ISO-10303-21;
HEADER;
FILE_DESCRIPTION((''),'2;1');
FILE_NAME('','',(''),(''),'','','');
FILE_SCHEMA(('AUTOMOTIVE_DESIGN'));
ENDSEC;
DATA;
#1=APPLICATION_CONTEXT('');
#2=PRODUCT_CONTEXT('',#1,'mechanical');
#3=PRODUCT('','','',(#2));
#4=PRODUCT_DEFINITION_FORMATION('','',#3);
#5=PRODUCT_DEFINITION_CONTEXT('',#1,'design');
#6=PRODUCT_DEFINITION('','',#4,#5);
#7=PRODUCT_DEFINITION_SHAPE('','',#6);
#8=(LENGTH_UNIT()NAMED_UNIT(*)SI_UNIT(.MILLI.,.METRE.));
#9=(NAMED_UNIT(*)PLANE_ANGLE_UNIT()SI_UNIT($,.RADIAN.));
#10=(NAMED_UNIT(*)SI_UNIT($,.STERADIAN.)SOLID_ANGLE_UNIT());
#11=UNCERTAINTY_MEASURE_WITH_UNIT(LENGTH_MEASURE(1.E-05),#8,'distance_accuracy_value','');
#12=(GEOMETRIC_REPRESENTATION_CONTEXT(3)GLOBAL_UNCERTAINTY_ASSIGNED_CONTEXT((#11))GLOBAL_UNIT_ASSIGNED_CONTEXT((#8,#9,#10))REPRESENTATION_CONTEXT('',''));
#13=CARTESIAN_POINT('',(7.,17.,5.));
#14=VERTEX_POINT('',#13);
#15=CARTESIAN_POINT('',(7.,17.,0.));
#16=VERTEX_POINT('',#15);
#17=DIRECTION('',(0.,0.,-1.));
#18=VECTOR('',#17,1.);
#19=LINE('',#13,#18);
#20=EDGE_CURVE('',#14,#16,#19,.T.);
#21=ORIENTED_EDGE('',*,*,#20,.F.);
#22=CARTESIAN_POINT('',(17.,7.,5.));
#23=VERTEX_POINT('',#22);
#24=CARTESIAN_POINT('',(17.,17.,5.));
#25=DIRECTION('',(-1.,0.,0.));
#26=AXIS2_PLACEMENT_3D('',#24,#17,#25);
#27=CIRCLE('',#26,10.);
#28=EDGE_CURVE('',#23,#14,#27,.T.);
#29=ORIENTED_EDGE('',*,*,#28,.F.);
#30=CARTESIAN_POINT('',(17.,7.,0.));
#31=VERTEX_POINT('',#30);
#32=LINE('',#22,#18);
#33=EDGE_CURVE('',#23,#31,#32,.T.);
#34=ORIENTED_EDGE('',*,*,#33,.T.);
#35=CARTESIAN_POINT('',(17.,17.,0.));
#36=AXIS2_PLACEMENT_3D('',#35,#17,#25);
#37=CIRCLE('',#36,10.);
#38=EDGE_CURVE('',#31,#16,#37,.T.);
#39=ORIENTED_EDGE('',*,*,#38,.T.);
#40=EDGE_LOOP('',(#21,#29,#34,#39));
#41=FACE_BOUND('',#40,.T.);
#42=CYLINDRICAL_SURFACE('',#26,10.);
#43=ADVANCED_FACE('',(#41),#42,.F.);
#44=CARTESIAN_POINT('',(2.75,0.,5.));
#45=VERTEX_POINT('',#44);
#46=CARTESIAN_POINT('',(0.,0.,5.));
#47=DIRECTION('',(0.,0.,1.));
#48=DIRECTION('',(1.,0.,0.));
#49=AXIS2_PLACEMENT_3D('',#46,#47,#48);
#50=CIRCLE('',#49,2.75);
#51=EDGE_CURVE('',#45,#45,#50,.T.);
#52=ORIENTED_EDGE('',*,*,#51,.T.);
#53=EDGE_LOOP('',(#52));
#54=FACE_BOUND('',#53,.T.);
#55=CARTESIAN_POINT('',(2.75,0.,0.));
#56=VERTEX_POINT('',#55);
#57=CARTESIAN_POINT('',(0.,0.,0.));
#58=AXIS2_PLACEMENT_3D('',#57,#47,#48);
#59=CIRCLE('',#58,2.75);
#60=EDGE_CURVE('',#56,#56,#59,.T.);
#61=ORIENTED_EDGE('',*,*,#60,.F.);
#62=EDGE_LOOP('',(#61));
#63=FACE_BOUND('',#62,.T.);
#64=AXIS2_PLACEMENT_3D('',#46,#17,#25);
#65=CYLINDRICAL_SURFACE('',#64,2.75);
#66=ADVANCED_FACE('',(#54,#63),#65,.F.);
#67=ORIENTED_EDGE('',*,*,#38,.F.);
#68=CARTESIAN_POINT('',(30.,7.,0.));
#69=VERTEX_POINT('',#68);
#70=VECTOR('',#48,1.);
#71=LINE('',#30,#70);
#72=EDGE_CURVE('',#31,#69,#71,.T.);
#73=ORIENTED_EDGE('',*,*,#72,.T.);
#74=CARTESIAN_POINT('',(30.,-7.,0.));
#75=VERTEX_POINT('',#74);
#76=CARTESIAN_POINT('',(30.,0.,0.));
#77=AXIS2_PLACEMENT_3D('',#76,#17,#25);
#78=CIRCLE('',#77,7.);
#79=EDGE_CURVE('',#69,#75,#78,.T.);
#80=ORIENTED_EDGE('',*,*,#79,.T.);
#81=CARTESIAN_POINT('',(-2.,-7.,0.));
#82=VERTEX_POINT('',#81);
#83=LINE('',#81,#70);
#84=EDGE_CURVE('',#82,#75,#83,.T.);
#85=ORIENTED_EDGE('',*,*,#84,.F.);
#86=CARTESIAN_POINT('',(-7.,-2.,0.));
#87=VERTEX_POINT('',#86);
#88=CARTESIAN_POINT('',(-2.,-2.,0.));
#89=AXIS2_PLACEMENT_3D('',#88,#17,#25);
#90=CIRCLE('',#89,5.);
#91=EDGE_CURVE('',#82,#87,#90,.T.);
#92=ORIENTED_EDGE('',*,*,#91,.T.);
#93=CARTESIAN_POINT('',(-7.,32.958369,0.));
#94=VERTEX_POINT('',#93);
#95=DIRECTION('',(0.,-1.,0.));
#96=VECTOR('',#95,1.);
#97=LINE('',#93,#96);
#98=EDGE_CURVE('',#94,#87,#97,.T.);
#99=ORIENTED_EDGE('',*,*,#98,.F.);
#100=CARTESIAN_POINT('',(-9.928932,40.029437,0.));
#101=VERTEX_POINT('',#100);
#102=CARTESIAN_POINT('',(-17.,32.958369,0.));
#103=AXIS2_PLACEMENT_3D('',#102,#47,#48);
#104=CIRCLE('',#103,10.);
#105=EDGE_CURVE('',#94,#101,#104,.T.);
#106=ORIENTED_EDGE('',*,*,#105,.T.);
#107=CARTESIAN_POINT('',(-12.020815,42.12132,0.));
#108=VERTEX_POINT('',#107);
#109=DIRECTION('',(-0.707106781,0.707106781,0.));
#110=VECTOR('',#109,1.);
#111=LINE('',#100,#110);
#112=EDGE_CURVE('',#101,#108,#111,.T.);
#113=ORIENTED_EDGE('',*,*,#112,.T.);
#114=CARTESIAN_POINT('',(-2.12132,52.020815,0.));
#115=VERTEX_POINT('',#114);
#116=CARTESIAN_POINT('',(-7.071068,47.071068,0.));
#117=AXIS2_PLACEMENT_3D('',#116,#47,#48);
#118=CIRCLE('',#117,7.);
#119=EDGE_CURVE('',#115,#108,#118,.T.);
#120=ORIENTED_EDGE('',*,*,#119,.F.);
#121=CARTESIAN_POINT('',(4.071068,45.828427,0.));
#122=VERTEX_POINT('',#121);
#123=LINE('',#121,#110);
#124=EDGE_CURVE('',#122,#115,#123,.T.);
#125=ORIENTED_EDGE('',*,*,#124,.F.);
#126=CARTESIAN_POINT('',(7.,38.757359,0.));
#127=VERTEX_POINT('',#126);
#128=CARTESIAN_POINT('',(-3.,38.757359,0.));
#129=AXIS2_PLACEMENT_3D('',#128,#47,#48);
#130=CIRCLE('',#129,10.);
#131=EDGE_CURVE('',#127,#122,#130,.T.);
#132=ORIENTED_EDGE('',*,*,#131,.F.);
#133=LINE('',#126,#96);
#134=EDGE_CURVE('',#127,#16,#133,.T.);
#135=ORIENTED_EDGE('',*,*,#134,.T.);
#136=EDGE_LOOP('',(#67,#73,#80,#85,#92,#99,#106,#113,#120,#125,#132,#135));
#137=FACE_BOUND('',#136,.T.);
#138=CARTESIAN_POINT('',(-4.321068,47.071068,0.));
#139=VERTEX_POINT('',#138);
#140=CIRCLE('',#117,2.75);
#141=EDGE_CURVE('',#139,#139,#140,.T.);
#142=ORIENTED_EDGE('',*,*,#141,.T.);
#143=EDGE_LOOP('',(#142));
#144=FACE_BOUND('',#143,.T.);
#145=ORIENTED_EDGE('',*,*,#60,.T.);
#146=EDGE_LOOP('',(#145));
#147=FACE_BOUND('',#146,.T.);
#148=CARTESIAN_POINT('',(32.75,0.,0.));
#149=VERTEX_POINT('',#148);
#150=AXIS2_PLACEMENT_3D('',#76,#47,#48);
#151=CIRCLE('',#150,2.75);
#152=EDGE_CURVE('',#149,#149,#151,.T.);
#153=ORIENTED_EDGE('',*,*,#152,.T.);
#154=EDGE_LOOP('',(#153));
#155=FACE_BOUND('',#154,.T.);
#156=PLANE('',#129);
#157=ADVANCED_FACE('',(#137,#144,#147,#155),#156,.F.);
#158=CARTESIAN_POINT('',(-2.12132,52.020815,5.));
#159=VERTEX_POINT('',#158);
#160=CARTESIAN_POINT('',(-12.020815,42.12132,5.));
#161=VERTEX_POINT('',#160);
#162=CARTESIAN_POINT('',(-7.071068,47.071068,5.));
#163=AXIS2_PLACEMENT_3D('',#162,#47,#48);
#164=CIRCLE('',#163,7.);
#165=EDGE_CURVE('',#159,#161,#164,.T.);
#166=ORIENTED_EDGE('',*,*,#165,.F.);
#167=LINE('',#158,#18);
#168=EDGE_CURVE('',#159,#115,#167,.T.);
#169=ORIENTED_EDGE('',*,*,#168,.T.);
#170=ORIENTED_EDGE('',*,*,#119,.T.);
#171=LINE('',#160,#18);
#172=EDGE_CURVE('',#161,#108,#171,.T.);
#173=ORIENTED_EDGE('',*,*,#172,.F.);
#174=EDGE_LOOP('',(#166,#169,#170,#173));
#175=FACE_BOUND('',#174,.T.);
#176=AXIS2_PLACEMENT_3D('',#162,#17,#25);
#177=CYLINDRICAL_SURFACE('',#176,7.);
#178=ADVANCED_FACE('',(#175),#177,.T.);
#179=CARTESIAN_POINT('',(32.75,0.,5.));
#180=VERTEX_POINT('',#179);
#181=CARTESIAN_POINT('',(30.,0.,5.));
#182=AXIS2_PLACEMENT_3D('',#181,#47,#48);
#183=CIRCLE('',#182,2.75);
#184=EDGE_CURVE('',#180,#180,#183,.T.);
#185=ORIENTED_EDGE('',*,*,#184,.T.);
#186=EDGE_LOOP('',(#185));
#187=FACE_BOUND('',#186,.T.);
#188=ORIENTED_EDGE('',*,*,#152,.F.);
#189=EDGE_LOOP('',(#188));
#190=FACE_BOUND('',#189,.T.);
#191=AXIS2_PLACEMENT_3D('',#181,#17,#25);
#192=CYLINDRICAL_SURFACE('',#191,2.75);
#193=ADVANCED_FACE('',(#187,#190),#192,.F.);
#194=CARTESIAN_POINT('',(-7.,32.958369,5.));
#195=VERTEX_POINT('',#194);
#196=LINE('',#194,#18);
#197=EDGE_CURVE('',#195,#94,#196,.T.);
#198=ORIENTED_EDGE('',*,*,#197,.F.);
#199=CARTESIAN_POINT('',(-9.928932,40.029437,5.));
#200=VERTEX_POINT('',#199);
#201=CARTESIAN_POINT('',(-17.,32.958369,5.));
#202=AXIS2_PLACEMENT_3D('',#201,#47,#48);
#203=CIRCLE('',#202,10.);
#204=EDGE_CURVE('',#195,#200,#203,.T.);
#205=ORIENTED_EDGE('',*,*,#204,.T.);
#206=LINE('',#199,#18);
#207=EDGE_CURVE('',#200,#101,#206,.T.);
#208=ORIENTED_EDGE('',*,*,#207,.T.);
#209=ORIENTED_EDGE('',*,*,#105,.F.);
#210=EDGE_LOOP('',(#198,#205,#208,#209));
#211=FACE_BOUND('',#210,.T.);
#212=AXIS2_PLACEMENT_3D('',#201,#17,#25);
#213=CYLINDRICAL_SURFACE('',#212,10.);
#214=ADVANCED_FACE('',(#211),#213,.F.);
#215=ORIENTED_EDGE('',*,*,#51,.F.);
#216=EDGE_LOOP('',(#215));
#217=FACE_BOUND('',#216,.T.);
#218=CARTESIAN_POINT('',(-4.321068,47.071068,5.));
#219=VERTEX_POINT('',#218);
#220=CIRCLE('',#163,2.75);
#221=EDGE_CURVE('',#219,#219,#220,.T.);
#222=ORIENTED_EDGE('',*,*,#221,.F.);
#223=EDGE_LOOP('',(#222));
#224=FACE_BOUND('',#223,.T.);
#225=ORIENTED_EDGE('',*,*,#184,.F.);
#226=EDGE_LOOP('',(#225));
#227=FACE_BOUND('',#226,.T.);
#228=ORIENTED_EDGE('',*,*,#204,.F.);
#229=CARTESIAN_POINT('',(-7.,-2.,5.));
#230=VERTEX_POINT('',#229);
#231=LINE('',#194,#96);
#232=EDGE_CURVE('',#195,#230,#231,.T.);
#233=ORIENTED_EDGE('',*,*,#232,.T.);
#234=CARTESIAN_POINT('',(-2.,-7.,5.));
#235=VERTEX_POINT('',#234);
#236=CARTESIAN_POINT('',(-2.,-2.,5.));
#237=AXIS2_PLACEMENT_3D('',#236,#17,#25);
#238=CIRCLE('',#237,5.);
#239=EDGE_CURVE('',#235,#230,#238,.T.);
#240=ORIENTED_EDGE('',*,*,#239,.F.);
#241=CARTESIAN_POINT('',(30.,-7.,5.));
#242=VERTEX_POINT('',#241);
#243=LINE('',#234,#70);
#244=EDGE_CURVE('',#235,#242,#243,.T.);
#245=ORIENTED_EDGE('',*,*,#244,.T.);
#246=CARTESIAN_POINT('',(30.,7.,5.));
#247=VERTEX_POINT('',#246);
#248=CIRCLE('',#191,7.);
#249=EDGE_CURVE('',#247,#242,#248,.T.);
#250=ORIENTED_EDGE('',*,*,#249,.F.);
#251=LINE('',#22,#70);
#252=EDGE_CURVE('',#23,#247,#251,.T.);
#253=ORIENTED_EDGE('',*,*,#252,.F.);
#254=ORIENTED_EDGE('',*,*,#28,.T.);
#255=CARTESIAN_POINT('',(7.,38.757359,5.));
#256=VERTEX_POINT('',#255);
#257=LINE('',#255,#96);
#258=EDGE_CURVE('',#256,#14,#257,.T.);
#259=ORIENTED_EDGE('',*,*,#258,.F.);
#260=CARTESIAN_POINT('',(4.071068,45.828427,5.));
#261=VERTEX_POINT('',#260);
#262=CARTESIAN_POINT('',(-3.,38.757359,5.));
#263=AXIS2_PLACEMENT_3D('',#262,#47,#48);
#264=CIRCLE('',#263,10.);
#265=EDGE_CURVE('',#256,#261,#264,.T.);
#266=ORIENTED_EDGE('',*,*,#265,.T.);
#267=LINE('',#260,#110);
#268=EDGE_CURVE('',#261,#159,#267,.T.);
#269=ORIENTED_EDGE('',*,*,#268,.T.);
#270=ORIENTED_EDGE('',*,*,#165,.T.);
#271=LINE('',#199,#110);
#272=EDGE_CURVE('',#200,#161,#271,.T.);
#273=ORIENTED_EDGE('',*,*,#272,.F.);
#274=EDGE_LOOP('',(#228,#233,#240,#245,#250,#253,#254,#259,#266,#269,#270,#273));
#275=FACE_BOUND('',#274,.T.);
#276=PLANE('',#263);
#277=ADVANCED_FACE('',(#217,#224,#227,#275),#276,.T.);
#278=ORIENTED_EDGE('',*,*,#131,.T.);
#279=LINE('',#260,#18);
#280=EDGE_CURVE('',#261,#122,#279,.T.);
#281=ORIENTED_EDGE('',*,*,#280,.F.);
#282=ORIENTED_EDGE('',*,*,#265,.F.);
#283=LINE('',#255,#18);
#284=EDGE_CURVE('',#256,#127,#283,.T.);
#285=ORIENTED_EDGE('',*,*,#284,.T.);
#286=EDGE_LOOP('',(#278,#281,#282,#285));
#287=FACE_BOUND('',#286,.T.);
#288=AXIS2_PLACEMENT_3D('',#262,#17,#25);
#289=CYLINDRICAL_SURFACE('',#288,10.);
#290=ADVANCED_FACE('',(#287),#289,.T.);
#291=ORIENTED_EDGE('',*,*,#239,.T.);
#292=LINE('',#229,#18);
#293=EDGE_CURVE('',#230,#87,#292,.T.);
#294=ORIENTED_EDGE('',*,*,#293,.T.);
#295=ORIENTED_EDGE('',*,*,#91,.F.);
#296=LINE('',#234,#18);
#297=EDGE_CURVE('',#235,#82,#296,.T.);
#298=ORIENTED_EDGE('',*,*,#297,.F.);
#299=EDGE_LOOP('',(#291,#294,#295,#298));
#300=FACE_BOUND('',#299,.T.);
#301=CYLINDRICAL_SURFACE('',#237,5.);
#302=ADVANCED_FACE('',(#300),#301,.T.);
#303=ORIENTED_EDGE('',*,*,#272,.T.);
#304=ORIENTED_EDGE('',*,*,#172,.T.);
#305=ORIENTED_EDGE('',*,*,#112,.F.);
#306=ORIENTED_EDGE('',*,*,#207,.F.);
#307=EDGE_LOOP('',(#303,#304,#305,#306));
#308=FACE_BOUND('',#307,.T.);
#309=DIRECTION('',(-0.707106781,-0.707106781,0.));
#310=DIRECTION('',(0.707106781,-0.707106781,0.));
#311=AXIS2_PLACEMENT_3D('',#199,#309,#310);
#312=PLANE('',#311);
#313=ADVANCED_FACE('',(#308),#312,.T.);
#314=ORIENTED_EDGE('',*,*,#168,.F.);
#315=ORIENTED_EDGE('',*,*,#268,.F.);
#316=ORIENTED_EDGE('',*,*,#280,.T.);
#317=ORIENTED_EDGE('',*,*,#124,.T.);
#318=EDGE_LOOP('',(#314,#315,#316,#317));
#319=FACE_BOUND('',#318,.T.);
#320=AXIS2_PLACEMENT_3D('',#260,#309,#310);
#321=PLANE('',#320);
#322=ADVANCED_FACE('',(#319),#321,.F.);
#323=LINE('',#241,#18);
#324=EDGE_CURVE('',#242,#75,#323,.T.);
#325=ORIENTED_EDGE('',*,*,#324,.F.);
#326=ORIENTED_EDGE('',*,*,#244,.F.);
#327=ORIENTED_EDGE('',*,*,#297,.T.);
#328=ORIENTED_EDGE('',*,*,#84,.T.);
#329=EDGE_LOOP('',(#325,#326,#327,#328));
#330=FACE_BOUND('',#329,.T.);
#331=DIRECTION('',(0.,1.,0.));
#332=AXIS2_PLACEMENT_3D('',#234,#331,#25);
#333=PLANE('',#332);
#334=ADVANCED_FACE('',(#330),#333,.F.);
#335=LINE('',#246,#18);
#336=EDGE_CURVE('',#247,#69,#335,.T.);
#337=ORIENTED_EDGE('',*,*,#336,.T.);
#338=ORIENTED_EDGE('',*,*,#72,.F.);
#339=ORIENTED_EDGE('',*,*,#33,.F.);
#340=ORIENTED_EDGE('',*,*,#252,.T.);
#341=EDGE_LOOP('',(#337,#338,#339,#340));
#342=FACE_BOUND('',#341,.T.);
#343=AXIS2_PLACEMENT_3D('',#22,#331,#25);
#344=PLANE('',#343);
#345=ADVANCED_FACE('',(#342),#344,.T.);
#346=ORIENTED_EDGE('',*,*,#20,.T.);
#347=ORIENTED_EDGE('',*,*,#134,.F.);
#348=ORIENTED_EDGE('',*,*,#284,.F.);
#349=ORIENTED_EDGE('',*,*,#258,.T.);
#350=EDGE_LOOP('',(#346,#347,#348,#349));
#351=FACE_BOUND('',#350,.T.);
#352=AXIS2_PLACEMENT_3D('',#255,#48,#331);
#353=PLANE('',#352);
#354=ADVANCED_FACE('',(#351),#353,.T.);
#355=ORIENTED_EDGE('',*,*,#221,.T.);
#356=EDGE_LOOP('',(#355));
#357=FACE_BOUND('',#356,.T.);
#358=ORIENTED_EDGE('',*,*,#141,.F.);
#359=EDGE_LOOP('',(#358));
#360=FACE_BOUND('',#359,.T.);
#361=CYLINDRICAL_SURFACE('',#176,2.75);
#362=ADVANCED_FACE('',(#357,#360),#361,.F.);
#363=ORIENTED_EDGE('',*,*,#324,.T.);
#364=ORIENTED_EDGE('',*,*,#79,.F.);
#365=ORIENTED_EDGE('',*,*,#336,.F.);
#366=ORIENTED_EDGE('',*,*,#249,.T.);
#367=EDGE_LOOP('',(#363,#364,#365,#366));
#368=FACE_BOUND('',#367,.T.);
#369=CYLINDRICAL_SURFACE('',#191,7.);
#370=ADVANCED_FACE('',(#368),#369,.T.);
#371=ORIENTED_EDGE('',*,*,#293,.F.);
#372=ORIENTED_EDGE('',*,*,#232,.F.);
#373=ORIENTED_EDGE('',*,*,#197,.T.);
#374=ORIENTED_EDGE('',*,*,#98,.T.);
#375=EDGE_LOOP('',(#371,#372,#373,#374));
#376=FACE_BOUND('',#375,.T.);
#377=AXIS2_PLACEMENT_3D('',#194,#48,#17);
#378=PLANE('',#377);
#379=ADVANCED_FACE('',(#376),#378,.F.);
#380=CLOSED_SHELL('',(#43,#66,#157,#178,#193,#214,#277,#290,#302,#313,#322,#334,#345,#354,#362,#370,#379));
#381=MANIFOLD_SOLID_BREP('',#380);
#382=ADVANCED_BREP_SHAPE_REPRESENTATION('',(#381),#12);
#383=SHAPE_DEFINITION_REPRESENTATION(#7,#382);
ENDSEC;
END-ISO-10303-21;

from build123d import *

# Parameters (mm, degrees)
SKETCH_1_R      = 2.75
EXTRUDE_1_DEPTH = 5


with BuildPart() as part:
    # 草圖1 → 填料-伸長1 (new body)
    with BuildSketch(Plane.XY):
        with BuildLine():
            Line((17, 7), (30, 7))
            ThreePointArc((30, 7), (37, 0), (30, -7))
            Line((30, -7), (-2, -7))
            ThreePointArc((-2, -7), (-5.535533906, -5.535533906), (-7, -2))
            Line((-7, -2), (-7, 32.95836944))
            ThreePointArc((-7, 32.95836944), (-7.761204675, 36.785203763), (-9.928932188, 40.029437252))
            Line((-9.928932188, 40.029437252), (-12.02081528, 42.121320344))
            ThreePointArc((-12.02081528, 42.121320344), (-12.02081528, 52.02081528), (-2.121320344, 52.02081528))
            Line((-2.121320344, 52.02081528), (4.071067812, 45.828427125))
            ThreePointArc((4.071067812, 45.828427125), (6.238795325, 42.584193637), (7, 38.757359313))
            Line((7, 38.757359313), (7, 17))
            ThreePointArc((7, 17), (9.928932188, 9.928932188), (17, 7))
        make_face()
        Circle(SKETCH_1_R, mode=Mode.SUBTRACT)
        with Locations((30, 0)):
            Circle(SKETCH_1_R, mode=Mode.SUBTRACT)
        with Locations((-7.071067812, 47.071067812)):
            Circle(SKETCH_1_R, mode=Mode.SUBTRACT)
    extrude(amount=EXTRUDE_1_DEPTH)


solid = part.part
